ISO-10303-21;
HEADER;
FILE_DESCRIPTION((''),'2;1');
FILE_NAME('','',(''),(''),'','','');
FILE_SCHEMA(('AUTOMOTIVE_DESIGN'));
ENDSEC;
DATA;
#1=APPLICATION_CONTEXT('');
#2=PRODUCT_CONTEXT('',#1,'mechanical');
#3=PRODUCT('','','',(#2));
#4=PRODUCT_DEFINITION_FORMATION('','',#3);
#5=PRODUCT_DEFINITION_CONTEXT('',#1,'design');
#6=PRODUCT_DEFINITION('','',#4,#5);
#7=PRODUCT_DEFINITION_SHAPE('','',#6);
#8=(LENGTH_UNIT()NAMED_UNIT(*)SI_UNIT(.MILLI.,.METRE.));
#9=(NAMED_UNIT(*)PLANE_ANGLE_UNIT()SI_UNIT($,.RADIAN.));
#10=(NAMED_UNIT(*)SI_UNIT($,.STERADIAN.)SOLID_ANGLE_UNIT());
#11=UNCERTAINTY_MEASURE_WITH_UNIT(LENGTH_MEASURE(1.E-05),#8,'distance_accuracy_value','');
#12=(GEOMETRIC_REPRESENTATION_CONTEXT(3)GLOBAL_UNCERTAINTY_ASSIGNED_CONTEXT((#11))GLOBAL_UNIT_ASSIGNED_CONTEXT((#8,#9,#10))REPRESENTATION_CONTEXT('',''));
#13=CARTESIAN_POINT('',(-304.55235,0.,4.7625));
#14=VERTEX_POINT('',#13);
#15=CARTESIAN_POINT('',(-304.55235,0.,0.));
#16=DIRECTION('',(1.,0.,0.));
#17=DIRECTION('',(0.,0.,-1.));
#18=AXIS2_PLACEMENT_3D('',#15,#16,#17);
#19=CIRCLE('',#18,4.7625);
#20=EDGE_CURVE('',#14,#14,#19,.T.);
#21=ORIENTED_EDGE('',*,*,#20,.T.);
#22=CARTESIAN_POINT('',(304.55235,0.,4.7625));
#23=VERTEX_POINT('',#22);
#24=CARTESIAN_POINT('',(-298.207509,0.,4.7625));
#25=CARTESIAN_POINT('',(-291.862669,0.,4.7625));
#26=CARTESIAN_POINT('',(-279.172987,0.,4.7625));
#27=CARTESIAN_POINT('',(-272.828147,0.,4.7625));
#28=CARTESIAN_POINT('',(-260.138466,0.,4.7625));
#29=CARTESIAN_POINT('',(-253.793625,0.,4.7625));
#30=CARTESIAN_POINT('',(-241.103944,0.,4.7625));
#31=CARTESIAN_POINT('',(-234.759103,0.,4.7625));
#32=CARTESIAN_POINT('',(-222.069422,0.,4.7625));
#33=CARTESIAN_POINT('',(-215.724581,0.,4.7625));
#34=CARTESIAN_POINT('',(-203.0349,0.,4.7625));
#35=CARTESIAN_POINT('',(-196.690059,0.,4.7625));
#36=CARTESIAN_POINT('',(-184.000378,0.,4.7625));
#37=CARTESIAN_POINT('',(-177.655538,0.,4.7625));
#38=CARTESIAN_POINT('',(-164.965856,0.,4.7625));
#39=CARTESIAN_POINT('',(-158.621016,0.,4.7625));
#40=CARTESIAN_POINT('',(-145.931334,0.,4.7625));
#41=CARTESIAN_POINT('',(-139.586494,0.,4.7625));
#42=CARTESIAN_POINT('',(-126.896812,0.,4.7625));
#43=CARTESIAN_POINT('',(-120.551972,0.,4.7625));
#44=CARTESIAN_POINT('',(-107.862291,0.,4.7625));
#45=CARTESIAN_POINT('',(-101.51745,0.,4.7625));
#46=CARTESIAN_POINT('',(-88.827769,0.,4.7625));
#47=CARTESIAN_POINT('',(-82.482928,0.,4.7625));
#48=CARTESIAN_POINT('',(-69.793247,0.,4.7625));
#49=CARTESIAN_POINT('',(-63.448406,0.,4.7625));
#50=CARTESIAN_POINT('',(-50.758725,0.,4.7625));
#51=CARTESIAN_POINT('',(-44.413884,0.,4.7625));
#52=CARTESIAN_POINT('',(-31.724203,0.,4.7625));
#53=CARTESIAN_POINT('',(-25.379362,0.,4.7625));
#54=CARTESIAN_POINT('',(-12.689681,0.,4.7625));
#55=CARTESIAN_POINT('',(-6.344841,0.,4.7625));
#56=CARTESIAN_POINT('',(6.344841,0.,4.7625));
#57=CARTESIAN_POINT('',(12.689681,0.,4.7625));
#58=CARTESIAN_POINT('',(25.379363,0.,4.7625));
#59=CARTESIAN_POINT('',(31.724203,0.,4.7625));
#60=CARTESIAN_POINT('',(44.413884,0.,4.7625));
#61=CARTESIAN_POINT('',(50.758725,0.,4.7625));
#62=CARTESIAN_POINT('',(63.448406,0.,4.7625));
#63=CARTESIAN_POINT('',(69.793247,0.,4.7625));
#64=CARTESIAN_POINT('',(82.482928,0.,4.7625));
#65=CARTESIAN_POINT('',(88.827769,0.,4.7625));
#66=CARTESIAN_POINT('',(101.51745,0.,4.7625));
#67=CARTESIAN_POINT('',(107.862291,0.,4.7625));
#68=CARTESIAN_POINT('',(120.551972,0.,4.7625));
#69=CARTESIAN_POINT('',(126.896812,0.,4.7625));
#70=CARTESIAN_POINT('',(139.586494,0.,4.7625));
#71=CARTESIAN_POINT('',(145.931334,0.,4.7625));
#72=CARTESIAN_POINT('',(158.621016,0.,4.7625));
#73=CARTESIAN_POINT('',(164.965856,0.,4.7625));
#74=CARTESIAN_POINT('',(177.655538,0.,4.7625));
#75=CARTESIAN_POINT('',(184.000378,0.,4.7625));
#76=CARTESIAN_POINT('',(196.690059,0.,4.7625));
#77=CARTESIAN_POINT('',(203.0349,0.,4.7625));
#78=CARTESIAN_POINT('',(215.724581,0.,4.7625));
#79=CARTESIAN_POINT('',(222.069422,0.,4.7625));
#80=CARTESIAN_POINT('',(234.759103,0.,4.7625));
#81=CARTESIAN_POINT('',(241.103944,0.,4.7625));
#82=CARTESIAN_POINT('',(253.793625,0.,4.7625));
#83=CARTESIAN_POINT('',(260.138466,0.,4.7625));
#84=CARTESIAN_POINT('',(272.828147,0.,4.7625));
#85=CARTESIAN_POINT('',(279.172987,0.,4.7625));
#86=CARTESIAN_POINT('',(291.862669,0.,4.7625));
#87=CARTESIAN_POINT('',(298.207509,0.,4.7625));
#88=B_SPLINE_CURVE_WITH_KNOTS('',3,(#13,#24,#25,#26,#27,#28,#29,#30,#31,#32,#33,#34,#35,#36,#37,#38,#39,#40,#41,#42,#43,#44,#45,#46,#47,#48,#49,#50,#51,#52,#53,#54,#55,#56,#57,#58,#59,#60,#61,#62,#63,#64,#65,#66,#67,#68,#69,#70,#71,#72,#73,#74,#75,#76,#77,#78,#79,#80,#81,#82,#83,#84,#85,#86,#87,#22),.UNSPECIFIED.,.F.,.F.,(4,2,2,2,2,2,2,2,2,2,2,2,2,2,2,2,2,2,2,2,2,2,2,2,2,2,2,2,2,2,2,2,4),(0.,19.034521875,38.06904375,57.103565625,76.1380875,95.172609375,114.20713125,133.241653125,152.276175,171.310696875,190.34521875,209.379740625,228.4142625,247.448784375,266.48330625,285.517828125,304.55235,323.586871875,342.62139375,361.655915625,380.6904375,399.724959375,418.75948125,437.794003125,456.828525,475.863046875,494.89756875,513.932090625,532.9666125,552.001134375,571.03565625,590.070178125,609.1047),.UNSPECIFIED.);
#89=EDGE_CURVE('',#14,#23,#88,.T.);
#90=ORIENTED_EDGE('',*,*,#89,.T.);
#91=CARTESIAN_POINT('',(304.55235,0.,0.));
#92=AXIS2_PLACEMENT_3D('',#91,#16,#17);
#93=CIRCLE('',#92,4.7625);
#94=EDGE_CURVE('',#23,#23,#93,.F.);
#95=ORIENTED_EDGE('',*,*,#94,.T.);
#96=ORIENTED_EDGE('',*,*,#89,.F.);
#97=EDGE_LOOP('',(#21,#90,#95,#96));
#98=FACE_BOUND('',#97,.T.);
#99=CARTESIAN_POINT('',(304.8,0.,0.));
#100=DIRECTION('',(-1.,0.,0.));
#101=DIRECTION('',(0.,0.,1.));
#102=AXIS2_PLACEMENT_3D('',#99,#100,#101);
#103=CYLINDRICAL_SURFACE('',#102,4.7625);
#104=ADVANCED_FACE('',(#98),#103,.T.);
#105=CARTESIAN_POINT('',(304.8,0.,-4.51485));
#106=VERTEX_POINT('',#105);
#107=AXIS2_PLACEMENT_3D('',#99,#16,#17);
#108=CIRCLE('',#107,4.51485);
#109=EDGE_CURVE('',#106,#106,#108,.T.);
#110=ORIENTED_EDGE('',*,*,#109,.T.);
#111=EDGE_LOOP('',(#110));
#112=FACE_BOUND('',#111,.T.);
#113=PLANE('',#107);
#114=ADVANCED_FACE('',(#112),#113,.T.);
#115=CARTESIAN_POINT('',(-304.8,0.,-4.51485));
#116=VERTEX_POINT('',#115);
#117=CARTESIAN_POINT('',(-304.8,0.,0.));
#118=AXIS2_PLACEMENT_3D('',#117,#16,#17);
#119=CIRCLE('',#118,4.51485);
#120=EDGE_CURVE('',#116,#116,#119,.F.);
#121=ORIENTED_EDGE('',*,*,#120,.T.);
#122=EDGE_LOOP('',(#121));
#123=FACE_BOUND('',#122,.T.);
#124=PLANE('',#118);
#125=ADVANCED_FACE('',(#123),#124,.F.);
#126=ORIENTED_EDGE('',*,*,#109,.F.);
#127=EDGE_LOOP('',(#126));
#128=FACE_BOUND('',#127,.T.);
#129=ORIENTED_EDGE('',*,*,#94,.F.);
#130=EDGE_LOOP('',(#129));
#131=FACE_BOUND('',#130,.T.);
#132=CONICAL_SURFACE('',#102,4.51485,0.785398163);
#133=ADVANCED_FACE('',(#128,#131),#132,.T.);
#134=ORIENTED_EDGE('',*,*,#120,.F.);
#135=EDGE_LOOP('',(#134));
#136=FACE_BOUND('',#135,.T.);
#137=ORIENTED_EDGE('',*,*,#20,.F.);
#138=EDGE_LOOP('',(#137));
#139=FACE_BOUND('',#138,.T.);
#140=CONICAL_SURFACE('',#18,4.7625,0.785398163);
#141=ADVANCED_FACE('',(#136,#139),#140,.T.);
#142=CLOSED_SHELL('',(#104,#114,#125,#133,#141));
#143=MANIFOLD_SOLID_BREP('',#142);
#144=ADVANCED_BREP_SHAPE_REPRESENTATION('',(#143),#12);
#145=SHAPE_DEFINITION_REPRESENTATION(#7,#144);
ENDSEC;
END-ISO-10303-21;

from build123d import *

# Parameters (mm, degrees)
BOSS_EXTRUDE1_DEPTH      = 304.8
BOSS_EXTRUDE1_DEPTH_BACK = 304.8
SKETCH4_R                = 4.7625
CHAMFER1_SIZE            = 0.24765


with BuildPart() as part:
    # Sketch4 → Boss-Extrude1 (new, two sides: drawn at the far end of the back side and taken through both)
    with BuildSketch(Plane(origin=(0, 0, 0), x_dir=(0, 0, -1), z_dir=(1, 0, 0)).offset(-BOSS_EXTRUDE1_DEPTH_BACK)):
        with Locations(Location((0, 0, 0), (0, 0, 180))):
            Circle(SKETCH4_R)
    extrude(amount=BOSS_EXTRUDE1_DEPTH + BOSS_EXTRUDE1_DEPTH_BACK)

    # Chamfer1
    chamfer1_edges = [part.edges().sort_by_distance(p)[0] for p in [
        (-304.8, 0, -4.7625),
        (304.8, 0, -4.7625),
    ]]
    chamfer(chamfer1_edges, length=CHAMFER1_SIZE)


solid = part.part
